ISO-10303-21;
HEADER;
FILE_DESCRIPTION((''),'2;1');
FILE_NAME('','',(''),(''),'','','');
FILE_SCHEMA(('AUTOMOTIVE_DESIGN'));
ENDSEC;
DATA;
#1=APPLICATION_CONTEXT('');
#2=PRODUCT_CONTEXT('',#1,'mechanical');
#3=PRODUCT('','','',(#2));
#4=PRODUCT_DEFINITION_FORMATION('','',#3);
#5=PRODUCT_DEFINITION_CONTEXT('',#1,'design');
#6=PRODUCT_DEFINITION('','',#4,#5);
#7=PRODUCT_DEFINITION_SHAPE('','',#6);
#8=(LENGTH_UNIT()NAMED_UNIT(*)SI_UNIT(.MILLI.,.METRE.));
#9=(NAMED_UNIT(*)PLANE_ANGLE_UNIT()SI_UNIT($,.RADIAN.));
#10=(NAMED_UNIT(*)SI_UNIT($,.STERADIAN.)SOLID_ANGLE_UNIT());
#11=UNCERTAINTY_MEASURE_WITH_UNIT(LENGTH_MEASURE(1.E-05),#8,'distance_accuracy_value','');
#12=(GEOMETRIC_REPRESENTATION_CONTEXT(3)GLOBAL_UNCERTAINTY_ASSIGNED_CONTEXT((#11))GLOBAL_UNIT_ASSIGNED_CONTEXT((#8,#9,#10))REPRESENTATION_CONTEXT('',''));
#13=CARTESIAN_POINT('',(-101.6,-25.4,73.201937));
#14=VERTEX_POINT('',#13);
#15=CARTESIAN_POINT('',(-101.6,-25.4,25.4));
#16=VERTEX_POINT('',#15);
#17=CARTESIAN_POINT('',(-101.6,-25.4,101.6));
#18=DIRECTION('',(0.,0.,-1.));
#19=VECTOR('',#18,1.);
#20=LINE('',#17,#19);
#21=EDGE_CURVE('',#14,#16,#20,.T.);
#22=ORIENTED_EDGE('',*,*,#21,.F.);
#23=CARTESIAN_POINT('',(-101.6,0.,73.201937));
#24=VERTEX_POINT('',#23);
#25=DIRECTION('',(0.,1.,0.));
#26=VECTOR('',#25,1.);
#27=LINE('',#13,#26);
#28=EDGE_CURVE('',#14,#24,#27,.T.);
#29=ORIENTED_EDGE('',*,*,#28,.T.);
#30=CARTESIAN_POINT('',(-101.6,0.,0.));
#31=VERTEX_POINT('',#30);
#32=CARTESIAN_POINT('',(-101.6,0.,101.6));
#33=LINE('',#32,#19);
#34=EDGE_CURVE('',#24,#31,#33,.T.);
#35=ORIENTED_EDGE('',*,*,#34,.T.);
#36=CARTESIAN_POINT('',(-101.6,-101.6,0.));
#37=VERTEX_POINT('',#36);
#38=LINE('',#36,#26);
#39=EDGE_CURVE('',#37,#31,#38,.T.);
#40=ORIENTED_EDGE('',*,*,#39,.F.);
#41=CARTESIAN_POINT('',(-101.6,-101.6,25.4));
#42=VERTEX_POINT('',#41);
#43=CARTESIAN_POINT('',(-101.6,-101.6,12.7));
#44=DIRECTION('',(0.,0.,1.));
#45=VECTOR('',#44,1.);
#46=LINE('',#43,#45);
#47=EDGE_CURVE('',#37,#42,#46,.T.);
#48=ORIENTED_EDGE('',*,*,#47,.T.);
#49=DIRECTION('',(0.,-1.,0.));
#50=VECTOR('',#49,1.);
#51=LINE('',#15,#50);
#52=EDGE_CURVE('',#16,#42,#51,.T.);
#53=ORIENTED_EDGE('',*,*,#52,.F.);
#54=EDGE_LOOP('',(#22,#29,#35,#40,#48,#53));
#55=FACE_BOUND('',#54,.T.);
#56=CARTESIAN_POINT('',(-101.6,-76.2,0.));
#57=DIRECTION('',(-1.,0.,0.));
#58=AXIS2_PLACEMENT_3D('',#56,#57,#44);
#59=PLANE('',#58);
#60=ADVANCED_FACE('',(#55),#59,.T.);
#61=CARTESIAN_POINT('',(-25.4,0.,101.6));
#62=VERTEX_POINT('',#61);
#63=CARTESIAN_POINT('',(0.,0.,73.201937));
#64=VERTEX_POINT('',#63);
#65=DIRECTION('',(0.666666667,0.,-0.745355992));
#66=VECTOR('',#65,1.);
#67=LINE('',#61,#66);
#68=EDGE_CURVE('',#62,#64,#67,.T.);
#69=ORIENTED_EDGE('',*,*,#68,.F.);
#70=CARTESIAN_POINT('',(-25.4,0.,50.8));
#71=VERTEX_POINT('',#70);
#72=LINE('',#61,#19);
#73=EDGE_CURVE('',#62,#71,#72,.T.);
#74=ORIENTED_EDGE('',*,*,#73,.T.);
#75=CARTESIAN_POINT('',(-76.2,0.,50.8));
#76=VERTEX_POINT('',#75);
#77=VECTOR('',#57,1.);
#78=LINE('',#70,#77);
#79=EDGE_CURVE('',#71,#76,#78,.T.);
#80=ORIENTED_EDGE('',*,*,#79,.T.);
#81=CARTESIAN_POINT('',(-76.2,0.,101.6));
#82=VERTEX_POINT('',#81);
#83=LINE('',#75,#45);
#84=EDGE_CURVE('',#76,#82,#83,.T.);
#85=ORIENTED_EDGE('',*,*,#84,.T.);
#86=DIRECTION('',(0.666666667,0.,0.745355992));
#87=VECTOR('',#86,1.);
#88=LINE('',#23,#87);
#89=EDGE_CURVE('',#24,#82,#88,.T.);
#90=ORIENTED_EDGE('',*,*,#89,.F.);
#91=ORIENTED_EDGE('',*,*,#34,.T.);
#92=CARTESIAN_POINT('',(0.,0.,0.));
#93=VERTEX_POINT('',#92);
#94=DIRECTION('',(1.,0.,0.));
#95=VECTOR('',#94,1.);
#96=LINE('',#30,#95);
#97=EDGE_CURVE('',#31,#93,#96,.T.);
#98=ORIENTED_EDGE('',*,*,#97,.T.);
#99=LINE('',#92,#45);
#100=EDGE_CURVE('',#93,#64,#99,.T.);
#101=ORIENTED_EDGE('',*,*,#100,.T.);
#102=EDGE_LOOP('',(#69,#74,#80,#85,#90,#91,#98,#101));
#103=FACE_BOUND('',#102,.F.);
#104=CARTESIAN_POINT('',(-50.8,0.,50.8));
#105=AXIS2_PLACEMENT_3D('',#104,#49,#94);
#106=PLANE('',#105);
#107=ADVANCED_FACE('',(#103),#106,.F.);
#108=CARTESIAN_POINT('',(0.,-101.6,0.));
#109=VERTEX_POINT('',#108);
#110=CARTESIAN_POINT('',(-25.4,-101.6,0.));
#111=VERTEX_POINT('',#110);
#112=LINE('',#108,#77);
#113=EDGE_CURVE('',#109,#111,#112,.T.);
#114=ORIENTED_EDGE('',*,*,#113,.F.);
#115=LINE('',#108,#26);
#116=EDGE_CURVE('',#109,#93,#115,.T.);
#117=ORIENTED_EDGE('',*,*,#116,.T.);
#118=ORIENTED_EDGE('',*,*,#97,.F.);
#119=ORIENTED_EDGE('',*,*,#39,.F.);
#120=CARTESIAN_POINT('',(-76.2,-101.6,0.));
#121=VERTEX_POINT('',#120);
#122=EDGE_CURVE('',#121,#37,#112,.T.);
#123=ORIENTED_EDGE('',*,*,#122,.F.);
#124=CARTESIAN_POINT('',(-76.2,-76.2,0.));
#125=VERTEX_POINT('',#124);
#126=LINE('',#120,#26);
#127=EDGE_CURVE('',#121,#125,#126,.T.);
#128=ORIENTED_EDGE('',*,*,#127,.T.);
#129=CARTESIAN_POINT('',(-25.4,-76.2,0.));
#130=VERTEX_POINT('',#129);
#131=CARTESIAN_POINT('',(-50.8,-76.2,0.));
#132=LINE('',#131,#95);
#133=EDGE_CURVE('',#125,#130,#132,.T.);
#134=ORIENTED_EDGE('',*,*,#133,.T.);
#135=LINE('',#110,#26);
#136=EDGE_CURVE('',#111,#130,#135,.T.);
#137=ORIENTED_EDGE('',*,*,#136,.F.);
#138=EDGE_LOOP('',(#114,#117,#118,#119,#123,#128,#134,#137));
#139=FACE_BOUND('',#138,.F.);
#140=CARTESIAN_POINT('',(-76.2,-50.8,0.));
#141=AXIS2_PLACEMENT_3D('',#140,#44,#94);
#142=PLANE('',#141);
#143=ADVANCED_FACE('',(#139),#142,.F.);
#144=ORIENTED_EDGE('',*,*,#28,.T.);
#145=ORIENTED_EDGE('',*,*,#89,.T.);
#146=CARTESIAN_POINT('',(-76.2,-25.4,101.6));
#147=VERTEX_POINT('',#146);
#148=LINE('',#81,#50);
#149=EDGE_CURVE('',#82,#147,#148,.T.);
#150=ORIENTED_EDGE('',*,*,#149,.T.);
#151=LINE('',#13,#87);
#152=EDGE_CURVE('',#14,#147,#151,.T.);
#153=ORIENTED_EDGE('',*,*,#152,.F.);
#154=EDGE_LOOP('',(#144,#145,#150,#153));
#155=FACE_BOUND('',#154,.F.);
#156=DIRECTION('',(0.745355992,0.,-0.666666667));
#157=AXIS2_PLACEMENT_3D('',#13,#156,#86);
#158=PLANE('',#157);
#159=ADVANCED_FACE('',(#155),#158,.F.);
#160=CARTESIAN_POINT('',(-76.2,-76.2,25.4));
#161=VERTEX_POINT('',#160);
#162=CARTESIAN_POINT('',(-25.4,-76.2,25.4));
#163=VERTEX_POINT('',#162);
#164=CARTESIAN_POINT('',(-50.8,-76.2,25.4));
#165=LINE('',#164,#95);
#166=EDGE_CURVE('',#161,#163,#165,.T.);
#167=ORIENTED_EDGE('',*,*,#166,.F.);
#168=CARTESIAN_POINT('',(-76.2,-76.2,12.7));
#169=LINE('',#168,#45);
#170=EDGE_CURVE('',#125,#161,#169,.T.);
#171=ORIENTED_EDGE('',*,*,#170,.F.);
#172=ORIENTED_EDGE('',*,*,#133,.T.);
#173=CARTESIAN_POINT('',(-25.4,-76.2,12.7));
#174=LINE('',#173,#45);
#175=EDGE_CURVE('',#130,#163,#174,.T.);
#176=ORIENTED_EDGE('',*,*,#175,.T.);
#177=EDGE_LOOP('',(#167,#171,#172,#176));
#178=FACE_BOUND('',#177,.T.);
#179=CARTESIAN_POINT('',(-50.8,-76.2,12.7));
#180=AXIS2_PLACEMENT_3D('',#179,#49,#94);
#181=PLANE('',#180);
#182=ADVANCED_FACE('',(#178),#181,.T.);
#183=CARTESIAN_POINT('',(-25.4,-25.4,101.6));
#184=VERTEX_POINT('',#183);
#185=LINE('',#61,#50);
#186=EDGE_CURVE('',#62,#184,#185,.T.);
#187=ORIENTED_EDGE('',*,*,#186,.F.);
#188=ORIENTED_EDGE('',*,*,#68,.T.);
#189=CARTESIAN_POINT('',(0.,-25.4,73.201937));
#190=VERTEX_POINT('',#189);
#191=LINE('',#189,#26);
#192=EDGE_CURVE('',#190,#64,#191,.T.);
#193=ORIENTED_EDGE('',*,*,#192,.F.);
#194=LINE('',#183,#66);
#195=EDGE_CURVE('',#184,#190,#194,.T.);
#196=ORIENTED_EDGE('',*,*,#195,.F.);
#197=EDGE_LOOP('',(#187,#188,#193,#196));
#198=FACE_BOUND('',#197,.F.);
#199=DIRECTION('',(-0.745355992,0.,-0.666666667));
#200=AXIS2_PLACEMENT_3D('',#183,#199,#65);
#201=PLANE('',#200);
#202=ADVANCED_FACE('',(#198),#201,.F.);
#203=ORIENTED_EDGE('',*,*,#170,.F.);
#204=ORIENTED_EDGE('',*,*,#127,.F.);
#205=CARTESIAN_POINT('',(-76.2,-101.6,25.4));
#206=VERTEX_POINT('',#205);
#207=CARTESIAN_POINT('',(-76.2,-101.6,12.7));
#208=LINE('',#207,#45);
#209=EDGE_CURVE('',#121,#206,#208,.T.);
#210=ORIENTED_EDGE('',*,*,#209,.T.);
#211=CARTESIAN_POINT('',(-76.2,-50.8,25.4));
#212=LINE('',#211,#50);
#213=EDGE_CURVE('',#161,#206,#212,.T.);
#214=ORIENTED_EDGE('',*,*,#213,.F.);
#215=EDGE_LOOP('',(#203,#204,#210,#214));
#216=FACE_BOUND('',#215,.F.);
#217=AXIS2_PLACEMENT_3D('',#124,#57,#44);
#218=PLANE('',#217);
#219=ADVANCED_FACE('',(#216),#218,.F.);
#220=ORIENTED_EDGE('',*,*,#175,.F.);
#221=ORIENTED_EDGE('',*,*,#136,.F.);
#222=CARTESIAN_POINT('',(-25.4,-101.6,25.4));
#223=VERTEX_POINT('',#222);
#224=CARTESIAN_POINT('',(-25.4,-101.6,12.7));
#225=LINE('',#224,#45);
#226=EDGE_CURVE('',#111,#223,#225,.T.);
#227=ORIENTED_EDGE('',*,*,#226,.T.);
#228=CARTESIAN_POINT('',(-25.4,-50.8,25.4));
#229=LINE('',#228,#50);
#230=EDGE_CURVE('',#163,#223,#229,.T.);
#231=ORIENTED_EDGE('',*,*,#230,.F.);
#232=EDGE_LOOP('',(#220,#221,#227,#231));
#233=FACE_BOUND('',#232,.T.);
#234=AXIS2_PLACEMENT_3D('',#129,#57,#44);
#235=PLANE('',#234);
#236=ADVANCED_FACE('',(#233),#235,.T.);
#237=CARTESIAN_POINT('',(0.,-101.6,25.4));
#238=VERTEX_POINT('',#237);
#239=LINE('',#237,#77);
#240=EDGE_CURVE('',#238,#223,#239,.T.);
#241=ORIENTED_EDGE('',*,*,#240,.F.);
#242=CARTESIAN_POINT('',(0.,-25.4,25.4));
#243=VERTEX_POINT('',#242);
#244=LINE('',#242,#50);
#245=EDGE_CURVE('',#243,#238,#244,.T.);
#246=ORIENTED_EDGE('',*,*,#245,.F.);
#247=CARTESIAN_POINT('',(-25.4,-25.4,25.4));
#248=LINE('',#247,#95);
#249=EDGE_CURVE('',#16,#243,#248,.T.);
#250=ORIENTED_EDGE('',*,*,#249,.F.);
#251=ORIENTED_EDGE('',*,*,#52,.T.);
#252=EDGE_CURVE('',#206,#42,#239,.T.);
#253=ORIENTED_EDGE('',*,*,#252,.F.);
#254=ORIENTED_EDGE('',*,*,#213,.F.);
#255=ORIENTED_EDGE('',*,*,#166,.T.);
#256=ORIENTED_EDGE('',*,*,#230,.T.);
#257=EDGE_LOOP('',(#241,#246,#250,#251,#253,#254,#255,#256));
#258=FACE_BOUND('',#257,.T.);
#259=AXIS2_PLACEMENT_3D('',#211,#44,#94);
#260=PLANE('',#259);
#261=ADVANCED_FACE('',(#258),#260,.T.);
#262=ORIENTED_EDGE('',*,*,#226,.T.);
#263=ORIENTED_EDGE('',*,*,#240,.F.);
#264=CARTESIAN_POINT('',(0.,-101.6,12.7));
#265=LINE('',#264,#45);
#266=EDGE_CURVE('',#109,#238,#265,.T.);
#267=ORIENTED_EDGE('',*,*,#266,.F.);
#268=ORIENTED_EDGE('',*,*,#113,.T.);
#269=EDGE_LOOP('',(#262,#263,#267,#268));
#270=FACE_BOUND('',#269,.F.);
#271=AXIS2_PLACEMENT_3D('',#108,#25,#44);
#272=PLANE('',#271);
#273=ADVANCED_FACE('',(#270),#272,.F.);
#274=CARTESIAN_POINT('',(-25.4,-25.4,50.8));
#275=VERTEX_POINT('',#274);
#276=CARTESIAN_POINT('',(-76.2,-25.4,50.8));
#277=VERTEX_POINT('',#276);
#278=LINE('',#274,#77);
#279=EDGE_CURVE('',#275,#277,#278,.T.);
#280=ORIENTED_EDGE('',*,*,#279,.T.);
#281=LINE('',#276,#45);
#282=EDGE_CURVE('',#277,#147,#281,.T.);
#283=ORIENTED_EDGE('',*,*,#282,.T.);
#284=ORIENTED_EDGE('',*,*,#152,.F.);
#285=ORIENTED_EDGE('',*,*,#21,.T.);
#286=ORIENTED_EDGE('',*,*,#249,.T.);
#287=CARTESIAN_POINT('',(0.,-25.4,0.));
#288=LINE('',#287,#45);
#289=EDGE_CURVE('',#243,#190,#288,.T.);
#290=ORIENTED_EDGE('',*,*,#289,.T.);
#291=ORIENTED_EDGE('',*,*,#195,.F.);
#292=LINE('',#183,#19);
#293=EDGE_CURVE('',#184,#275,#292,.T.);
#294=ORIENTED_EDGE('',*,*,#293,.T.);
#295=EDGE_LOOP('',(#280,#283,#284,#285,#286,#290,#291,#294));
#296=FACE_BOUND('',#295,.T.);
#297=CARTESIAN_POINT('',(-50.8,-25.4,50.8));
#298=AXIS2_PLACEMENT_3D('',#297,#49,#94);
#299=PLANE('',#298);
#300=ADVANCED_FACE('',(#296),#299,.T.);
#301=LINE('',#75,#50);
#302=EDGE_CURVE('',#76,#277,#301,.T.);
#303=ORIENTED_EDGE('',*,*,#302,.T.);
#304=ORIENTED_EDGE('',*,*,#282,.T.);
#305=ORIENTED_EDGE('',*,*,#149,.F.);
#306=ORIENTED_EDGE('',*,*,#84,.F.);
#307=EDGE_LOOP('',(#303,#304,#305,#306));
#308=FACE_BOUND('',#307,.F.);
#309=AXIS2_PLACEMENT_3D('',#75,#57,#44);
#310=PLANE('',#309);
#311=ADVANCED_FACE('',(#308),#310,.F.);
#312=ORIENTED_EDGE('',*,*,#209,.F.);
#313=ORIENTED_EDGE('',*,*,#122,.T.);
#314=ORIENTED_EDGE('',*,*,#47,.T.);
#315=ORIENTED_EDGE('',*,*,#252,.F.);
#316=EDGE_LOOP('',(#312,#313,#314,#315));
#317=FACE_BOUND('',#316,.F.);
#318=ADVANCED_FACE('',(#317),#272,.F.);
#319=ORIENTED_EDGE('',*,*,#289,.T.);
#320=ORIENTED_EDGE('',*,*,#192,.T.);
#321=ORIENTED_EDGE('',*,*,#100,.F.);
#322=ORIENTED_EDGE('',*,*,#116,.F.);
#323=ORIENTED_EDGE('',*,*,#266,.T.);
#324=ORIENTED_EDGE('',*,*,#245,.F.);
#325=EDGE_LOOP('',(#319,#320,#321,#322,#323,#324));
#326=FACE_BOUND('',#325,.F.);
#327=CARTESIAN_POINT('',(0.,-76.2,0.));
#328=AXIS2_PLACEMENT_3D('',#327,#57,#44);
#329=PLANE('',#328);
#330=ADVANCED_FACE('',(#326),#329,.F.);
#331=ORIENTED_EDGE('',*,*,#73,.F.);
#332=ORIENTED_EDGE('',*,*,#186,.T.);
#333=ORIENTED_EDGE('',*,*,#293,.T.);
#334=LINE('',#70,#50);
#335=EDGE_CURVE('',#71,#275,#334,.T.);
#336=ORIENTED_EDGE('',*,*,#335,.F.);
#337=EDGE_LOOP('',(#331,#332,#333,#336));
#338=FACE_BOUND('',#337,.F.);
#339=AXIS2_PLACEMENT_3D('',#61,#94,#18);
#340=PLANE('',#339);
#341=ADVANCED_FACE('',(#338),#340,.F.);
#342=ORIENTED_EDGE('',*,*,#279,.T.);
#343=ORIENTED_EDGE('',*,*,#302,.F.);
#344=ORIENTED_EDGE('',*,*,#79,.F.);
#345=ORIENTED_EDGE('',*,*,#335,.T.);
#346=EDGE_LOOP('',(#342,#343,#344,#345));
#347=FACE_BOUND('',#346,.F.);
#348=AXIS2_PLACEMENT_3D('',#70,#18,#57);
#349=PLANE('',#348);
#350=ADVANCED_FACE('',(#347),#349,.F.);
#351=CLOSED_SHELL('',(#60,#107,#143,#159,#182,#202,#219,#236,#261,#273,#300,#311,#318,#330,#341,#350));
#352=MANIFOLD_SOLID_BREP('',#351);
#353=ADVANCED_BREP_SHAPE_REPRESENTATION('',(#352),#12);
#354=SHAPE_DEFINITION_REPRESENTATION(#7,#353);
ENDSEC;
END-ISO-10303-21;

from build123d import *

# Parameters (mm, degrees)
F1_DEPTH  = 25.4
F2_W      = 76.2
F2_H      = 25.4
F3_DEPTH  = 101.6
F4_W      = 50.8
F4_H      = 25.4
F5_DEPTH  = 25.4
F7_DEPTH  = 25.4
F9_DEPTH  = 25.4
F10_DEPTH = 25.4
F11_DEPTH = 25.4
F12_DEPTH = 25.4


with BuildPart() as f1:
    # F0 (on Front) → F1 (new body)
    with BuildSketch(Plane.XZ):
        Polygon((-101.6, 0), (0, 0), (0, 101.6), (-25.4, 101.6), (-25.4, 50.8), (-76.2, 50.8), (-76.2, 101.6), (-101.6, 101.6), align=None)
    extrude(amount=F1_DEPTH)

    # F2 (on Right) → F3 (join)
    with BuildSketch(Plane.YZ):
        with Locations((-38.1, 12.7)):
            Rectangle(F2_W, F2_H)
    extrude(amount=-F3_DEPTH)

    # F4 (on face) → F5 (cut)
    with BuildSketch(Plane.XZ.offset(76.2)):
        with Locations((-50.8, 12.7)):
            Rectangle(F4_W, F4_H)
    extrude(amount=-F5_DEPTH, mode=Mode.SUBTRACT)

    # F6 (on face) → F7 (cut)
    with BuildSketch(Plane.XZ.offset(25.4)):
        Polygon((0, 101.6), (-25.4, 101.6), (0, 73.2019366858), align=None)
    extrude(amount=-F7_DEPTH, mode=Mode.SUBTRACT)

    # F8 (on face) → F9 (cut)
    with BuildSketch(Plane.XZ.offset(25.4)):
        Polygon((-101.6, 73.2019366858), (-76.2, 101.6), (-101.6, 101.6), align=None)
    extrude(amount=-F9_DEPTH, mode=Mode.SUBTRACT)

    # F10 (add): a face of the model
    f10_faces = [f1.faces().sort_by_distance(p)[0] for p in [
        (-12.7, -76.2, 12.7),
    ]]
    extrude(f10_faces, amount=F10_DEPTH)

    # F11 (add): a face of the model
    f11_faces = [f1.faces().sort_by_distance(p)[0] for p in [
        (-88.9, -76.2, 12.7),
    ]]
    extrude(f11_faces, amount=F11_DEPTH)

    # F12 (add): a face of the model
    f12_faces = [f1.faces().sort_by_distance(p)[0] for p in [
        (-50.8, -50.8, 12.7),
    ]]
    extrude(f12_faces, amount=F12_DEPTH)


solid = f1.part
